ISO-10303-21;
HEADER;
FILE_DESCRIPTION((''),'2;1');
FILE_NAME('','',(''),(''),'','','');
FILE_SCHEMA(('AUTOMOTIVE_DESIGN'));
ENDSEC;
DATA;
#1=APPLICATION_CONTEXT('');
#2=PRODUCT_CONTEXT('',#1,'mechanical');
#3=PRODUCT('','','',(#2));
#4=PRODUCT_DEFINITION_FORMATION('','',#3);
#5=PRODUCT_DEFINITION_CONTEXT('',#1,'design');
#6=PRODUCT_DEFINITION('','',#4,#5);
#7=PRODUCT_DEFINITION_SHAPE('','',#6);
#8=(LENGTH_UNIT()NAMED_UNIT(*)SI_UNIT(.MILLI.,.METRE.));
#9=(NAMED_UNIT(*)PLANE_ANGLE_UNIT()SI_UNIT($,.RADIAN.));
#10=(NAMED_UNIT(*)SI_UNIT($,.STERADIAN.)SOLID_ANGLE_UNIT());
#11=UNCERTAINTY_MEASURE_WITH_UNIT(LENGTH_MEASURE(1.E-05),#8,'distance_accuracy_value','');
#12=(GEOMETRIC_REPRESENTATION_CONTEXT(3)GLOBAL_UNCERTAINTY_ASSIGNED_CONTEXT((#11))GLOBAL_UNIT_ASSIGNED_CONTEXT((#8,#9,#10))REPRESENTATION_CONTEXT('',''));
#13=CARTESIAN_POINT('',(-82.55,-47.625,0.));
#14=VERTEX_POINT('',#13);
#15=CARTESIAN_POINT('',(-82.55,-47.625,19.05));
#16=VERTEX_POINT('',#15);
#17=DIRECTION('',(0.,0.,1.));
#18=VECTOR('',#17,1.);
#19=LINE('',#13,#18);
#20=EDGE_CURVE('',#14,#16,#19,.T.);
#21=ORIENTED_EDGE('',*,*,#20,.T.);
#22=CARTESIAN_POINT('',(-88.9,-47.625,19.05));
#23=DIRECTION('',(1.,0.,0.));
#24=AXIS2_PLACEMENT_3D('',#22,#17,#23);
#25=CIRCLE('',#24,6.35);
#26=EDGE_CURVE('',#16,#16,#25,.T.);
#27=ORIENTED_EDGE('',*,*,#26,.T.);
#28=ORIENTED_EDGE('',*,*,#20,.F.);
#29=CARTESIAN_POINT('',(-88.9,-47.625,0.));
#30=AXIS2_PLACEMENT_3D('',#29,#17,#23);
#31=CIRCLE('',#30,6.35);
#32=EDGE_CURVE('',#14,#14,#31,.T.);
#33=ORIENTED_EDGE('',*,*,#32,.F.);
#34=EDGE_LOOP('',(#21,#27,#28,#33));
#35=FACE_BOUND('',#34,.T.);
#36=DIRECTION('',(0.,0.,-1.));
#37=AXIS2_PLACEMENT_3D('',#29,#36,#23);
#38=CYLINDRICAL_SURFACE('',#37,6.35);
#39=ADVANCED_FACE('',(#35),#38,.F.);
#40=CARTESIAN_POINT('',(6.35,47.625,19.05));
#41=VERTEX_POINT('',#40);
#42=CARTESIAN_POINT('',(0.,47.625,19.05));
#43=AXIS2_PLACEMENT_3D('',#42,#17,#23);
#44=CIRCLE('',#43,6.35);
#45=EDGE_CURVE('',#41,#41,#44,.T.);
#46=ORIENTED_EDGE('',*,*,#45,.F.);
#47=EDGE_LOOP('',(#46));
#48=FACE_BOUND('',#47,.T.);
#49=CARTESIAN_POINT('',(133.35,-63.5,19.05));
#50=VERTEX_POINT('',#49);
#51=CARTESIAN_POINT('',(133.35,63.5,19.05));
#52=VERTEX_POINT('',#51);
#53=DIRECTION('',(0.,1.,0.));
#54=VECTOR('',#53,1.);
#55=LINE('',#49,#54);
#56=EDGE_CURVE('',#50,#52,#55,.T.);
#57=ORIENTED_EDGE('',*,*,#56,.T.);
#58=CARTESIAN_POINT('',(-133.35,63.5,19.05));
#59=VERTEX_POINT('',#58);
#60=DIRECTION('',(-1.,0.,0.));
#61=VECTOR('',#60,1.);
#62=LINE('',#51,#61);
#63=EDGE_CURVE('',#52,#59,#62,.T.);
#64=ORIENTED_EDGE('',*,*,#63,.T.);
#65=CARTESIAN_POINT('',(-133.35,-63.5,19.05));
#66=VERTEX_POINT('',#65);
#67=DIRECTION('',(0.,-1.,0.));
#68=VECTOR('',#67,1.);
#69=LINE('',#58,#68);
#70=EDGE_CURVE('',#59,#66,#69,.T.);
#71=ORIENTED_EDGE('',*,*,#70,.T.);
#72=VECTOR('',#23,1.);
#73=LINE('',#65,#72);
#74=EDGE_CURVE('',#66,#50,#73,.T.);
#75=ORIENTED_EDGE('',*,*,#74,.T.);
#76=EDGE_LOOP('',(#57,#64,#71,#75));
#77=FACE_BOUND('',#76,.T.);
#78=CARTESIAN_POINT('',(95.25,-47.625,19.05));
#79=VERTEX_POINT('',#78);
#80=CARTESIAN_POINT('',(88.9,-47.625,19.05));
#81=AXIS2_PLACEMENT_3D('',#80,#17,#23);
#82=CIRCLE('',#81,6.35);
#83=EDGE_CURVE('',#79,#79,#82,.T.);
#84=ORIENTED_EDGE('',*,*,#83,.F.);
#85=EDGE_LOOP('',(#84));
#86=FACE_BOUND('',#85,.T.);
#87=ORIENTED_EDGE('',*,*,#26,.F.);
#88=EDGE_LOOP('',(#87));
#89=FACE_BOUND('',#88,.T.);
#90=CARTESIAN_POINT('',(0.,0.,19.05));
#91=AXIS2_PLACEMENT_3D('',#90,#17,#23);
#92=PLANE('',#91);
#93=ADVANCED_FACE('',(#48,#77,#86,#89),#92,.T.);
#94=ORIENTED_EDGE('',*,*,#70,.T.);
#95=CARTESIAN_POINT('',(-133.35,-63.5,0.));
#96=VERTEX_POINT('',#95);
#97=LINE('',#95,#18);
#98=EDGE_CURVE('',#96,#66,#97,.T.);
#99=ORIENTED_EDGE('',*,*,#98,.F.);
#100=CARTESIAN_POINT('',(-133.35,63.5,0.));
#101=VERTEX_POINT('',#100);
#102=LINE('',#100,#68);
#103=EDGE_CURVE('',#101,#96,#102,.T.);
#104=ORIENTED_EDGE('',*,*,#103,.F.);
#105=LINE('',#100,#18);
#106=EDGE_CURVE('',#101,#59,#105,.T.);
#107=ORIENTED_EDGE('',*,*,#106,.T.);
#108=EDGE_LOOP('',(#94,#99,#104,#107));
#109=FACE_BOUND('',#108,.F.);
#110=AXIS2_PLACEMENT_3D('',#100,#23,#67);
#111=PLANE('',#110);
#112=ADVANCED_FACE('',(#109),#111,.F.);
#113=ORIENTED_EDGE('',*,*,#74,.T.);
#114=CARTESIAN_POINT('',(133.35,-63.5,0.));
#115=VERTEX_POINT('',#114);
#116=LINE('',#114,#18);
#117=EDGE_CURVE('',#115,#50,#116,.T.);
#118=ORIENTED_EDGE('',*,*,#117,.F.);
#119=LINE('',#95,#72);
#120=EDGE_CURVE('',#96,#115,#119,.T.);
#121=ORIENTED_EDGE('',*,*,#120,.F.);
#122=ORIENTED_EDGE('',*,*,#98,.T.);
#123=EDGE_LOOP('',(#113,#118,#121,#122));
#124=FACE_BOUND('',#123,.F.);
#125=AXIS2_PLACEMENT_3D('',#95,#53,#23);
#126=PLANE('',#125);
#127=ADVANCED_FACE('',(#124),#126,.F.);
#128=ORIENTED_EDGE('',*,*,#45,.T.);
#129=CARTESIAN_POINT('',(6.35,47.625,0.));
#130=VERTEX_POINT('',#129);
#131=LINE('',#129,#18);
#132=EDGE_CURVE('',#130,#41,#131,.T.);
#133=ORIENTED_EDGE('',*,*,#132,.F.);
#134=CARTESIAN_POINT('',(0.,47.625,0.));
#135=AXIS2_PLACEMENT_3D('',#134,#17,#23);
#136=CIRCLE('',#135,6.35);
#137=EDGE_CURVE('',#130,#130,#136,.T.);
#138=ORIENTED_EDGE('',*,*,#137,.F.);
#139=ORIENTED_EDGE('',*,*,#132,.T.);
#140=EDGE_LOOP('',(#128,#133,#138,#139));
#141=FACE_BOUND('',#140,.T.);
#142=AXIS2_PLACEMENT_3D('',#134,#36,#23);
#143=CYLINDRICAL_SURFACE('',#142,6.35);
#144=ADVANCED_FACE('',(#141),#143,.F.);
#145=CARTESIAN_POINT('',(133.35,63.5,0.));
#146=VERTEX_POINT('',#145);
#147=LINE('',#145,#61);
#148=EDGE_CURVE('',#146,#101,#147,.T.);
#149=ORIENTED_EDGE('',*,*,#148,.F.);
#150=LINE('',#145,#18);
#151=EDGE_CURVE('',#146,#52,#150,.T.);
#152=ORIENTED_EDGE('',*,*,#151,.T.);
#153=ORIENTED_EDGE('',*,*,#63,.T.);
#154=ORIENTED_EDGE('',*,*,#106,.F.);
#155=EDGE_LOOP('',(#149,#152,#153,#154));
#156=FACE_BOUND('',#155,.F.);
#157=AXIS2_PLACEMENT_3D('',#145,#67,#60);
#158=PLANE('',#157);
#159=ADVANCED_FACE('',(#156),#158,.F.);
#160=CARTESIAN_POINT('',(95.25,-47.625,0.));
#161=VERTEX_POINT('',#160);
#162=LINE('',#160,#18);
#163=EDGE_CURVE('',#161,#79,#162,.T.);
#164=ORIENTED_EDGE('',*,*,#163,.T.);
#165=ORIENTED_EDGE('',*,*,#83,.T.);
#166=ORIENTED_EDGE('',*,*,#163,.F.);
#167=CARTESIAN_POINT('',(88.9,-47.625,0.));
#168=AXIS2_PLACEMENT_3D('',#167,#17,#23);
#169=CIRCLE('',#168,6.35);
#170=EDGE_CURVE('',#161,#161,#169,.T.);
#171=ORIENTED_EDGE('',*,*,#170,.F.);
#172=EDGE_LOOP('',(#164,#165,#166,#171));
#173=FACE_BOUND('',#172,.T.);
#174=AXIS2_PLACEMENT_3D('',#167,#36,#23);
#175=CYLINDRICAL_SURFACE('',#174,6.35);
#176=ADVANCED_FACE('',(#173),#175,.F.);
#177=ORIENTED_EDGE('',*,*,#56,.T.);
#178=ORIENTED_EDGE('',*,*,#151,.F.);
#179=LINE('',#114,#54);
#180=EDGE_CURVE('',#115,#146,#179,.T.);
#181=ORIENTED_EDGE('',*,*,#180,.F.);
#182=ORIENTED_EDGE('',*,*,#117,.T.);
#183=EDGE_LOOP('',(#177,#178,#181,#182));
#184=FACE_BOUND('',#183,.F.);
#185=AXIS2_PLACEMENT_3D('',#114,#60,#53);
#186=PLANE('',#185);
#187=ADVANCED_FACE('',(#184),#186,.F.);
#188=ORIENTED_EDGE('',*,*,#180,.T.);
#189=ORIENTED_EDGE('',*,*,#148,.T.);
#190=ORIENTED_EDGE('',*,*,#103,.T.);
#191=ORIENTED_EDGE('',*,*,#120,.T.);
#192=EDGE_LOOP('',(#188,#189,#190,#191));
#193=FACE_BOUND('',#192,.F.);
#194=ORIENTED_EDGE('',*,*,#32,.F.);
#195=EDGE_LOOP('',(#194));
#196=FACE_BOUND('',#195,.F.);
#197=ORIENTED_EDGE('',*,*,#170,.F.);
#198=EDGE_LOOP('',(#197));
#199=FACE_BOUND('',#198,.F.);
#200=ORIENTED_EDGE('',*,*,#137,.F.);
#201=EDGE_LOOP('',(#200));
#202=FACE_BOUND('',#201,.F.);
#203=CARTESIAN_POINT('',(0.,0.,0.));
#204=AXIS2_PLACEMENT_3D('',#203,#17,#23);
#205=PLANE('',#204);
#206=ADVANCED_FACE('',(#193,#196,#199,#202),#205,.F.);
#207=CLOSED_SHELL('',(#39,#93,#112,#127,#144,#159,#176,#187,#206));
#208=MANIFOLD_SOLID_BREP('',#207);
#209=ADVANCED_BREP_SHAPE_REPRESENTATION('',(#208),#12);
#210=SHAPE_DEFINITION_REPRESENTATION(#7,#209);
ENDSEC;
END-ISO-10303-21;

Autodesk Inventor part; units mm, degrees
ref_plane "YZ Plane" through (0, 0, 0) normal (1, 0, 0) x (0, 1, 0)
ref_plane "XZ Plane" through (0, 0, 0) normal (0, 1, 0) x (-1, 0, 0)
ref_plane "XY Plane" through (0, 0, 0) normal (0, 0, 1) x (1, 0, 0)
sketch "Sketch1" plane through (0, 0, 0) normal (0, 0, 1) x (1, 0, 0)
  line L0 (-133.35, -63.5) -> (133.35, -63.5)
  line L1 (133.35, -63.5) -> (133.35, 63.5)
  line L2 (133.35, 63.5) -> (-133.35, 63.5)
  line L3 (-133.35, 63.5) -> (-133.35, -63.5)
  line L4 (-133.35, -63.5) -> (133.35, 63.5) construction
  line L5 (133.35, -63.5) -> (-133.35, 63.5) construction
  line L6 (0, 88.9) -> (0, -88.9) construction
  circle A0 centre (0, 47.625) radius 6.35
  circle A1 centre (-88.9, -47.625) radius 6.35
  circle A2 centre (88.9, -47.625) radius 6.35
  line L7 (-200.025, 0) -> (200.025, 0) construction
  point P0 (0, 0)
  point P1 (0, 0)
  dimension "d0" = 266.7
  dimension "d1" = 127
  dimension "d9" = 47.625
  dimension "d10" = 47.625
  dimension "d11" = 177.8
  dimension "d12" = 12.7
extrude "Extrusion2" add sketch "Sketch1" along normal blind 19.05
equation "\"d0\" = Length"
equation "\"d1\" = FrameHeight"
equation "\"d9\" = 0.375 * FrameHeight"
equation "\"d10\" = d9"
equation "\"d11\" = 0.666667 * Length"
equation "\"d7\" = Thickness"
equation "\"FrameHeight\" = 127"
equation "\"Length\" = 266.7"
equation "\"Thickness\" = 19.05"
properties part number "framePlate"
